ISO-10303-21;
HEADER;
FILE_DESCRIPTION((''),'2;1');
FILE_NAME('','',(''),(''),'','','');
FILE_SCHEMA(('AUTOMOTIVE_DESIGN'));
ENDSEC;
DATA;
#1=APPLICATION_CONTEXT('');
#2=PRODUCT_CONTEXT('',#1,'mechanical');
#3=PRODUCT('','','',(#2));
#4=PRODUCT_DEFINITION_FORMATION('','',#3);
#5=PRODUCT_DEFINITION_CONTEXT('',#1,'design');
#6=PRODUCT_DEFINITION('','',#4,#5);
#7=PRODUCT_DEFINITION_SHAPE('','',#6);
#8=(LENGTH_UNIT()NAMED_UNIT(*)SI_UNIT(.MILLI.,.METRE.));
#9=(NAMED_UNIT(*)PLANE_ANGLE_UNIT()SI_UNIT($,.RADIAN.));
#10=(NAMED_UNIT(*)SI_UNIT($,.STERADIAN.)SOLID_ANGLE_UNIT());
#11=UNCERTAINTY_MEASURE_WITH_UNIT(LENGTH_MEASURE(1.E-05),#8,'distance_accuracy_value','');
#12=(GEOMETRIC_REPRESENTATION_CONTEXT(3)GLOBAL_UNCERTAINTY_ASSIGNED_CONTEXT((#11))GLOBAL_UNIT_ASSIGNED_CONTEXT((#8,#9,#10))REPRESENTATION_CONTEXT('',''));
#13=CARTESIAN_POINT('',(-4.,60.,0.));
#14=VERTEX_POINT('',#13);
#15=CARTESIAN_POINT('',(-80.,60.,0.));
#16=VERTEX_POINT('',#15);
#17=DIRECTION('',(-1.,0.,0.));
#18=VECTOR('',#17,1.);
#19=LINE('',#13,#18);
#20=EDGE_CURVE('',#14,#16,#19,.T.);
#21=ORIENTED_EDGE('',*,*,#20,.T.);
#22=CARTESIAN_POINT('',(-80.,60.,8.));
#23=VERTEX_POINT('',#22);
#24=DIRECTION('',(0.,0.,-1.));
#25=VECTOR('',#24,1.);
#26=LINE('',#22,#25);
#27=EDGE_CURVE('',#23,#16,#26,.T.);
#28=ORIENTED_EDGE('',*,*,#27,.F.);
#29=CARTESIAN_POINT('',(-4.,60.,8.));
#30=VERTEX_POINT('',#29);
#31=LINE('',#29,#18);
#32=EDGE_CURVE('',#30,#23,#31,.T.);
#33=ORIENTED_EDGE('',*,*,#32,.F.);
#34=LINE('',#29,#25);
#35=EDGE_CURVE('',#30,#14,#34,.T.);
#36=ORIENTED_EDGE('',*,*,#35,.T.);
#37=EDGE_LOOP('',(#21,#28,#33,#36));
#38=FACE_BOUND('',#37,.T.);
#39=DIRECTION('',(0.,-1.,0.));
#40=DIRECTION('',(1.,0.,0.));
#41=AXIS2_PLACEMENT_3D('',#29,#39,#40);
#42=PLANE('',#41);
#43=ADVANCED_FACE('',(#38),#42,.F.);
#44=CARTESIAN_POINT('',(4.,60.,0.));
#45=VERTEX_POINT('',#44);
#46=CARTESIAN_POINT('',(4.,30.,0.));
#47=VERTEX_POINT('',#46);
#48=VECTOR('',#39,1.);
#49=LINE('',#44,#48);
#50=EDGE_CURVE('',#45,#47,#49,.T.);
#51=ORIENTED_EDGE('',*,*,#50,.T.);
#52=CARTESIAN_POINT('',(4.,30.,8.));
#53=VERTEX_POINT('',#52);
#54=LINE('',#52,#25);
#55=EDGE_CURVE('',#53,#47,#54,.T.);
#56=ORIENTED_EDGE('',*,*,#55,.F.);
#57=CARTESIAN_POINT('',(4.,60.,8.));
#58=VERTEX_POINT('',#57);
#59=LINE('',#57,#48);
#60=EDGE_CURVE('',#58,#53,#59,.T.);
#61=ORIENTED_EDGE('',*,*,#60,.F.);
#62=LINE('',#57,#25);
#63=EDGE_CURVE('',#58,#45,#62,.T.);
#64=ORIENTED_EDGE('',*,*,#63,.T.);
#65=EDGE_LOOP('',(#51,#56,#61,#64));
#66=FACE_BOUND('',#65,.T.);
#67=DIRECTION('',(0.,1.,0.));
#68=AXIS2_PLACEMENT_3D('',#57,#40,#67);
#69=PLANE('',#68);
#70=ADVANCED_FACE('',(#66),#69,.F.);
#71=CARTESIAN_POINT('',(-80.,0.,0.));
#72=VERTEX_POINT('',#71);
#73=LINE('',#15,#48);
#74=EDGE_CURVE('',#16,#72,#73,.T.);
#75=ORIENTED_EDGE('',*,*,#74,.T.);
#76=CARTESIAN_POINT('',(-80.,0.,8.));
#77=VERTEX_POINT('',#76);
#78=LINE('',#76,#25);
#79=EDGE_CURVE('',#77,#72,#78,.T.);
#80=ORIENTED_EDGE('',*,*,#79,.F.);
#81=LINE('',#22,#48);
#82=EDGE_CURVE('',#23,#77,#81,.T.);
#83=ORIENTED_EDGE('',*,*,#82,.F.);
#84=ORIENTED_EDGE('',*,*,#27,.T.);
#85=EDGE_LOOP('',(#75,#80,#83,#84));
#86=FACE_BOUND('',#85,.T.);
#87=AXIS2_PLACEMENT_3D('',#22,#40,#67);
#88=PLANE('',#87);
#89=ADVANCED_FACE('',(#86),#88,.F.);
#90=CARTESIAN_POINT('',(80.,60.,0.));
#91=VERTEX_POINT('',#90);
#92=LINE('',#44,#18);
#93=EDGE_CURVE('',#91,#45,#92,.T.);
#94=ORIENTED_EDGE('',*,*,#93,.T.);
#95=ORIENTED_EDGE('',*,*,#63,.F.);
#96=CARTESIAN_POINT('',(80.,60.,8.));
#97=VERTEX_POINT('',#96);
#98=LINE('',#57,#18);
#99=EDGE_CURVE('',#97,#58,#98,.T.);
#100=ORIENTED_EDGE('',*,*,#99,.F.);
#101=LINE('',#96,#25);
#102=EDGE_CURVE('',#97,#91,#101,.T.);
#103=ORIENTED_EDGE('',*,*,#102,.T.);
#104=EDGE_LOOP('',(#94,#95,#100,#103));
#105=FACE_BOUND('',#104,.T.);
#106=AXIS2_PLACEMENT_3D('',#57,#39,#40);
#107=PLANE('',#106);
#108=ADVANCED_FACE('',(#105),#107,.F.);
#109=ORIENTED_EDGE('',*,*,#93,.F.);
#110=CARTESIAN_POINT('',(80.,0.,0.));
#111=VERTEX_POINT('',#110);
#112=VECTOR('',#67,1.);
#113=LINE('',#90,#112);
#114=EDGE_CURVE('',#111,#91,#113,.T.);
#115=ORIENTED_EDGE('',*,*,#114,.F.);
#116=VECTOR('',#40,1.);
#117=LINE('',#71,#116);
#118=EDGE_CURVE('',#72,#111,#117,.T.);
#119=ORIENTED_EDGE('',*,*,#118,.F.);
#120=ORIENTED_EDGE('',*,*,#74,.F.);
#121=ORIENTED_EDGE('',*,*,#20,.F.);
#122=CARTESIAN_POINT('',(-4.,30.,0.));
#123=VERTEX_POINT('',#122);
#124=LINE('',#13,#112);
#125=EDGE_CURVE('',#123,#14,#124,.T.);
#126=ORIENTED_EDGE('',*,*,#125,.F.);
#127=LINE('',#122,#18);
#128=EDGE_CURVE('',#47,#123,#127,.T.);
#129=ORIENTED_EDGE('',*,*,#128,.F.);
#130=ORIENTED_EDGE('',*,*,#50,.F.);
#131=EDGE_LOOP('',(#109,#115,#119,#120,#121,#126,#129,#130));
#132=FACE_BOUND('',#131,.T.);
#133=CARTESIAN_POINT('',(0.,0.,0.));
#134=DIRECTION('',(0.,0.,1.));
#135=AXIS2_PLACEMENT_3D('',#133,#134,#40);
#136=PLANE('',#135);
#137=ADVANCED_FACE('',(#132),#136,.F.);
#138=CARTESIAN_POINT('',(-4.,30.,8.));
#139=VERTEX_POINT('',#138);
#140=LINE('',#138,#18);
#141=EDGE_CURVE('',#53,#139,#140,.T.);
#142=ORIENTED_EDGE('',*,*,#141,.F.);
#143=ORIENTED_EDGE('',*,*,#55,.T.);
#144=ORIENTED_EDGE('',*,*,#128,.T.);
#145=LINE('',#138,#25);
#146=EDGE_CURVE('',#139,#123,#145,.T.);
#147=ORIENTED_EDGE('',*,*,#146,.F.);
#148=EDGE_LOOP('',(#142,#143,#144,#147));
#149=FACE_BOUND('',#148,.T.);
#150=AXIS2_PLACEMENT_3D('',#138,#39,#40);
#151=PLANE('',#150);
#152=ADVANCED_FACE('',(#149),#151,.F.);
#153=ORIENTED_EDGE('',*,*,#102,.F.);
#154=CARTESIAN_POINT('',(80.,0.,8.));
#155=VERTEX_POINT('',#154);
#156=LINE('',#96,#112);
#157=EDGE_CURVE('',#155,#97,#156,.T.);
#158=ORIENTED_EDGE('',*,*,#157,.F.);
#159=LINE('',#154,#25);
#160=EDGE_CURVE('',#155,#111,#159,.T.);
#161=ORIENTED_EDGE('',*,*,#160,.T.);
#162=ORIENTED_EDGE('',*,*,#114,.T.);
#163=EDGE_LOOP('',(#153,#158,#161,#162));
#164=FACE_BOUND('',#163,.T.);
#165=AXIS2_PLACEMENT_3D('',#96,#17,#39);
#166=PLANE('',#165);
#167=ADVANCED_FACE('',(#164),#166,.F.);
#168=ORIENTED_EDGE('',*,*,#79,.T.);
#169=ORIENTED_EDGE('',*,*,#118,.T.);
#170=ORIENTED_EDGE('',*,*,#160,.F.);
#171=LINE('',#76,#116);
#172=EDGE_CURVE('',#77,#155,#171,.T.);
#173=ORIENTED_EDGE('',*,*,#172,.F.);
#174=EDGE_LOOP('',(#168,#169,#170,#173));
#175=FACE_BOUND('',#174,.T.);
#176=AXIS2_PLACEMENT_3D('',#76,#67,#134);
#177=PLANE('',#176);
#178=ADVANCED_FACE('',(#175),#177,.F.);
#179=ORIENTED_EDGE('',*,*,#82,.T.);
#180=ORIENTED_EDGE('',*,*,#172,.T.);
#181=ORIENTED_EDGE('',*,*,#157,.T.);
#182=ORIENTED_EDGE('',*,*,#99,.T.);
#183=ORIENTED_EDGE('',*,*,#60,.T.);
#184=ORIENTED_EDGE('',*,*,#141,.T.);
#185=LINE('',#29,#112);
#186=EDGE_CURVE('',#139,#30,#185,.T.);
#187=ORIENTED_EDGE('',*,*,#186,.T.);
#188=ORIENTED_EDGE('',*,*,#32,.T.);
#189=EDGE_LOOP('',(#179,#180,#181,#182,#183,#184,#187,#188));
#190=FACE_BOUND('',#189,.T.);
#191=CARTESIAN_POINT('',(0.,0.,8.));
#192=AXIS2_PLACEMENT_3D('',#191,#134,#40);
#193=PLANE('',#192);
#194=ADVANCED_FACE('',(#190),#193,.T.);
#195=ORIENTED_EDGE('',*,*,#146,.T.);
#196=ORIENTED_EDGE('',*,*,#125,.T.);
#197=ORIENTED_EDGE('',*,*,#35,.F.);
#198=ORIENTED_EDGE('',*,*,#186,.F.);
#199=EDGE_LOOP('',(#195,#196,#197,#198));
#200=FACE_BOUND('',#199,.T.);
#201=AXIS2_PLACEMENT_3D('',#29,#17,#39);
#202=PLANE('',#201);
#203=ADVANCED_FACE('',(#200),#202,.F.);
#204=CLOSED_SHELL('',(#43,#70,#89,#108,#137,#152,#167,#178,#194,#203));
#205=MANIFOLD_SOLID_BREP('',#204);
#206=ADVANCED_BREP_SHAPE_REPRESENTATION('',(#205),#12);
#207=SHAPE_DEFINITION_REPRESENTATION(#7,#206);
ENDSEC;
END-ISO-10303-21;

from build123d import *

# Parameters (mm, degrees)
BOSS_EXTRU_1_DEPTH = 8


with BuildPart() as part:
    # Esquisse1 → Boss.-Extru.1 (new body)
    with BuildSketch(Plane.XY):
        Polygon((-4, 60), (-80, 60), (-80, 0), (80, 0), (80, 60), (4, 60), (4, 30), (-4, 30), align=None)
    extrude(amount=BOSS_EXTRU_1_DEPTH)


solid = part.part
